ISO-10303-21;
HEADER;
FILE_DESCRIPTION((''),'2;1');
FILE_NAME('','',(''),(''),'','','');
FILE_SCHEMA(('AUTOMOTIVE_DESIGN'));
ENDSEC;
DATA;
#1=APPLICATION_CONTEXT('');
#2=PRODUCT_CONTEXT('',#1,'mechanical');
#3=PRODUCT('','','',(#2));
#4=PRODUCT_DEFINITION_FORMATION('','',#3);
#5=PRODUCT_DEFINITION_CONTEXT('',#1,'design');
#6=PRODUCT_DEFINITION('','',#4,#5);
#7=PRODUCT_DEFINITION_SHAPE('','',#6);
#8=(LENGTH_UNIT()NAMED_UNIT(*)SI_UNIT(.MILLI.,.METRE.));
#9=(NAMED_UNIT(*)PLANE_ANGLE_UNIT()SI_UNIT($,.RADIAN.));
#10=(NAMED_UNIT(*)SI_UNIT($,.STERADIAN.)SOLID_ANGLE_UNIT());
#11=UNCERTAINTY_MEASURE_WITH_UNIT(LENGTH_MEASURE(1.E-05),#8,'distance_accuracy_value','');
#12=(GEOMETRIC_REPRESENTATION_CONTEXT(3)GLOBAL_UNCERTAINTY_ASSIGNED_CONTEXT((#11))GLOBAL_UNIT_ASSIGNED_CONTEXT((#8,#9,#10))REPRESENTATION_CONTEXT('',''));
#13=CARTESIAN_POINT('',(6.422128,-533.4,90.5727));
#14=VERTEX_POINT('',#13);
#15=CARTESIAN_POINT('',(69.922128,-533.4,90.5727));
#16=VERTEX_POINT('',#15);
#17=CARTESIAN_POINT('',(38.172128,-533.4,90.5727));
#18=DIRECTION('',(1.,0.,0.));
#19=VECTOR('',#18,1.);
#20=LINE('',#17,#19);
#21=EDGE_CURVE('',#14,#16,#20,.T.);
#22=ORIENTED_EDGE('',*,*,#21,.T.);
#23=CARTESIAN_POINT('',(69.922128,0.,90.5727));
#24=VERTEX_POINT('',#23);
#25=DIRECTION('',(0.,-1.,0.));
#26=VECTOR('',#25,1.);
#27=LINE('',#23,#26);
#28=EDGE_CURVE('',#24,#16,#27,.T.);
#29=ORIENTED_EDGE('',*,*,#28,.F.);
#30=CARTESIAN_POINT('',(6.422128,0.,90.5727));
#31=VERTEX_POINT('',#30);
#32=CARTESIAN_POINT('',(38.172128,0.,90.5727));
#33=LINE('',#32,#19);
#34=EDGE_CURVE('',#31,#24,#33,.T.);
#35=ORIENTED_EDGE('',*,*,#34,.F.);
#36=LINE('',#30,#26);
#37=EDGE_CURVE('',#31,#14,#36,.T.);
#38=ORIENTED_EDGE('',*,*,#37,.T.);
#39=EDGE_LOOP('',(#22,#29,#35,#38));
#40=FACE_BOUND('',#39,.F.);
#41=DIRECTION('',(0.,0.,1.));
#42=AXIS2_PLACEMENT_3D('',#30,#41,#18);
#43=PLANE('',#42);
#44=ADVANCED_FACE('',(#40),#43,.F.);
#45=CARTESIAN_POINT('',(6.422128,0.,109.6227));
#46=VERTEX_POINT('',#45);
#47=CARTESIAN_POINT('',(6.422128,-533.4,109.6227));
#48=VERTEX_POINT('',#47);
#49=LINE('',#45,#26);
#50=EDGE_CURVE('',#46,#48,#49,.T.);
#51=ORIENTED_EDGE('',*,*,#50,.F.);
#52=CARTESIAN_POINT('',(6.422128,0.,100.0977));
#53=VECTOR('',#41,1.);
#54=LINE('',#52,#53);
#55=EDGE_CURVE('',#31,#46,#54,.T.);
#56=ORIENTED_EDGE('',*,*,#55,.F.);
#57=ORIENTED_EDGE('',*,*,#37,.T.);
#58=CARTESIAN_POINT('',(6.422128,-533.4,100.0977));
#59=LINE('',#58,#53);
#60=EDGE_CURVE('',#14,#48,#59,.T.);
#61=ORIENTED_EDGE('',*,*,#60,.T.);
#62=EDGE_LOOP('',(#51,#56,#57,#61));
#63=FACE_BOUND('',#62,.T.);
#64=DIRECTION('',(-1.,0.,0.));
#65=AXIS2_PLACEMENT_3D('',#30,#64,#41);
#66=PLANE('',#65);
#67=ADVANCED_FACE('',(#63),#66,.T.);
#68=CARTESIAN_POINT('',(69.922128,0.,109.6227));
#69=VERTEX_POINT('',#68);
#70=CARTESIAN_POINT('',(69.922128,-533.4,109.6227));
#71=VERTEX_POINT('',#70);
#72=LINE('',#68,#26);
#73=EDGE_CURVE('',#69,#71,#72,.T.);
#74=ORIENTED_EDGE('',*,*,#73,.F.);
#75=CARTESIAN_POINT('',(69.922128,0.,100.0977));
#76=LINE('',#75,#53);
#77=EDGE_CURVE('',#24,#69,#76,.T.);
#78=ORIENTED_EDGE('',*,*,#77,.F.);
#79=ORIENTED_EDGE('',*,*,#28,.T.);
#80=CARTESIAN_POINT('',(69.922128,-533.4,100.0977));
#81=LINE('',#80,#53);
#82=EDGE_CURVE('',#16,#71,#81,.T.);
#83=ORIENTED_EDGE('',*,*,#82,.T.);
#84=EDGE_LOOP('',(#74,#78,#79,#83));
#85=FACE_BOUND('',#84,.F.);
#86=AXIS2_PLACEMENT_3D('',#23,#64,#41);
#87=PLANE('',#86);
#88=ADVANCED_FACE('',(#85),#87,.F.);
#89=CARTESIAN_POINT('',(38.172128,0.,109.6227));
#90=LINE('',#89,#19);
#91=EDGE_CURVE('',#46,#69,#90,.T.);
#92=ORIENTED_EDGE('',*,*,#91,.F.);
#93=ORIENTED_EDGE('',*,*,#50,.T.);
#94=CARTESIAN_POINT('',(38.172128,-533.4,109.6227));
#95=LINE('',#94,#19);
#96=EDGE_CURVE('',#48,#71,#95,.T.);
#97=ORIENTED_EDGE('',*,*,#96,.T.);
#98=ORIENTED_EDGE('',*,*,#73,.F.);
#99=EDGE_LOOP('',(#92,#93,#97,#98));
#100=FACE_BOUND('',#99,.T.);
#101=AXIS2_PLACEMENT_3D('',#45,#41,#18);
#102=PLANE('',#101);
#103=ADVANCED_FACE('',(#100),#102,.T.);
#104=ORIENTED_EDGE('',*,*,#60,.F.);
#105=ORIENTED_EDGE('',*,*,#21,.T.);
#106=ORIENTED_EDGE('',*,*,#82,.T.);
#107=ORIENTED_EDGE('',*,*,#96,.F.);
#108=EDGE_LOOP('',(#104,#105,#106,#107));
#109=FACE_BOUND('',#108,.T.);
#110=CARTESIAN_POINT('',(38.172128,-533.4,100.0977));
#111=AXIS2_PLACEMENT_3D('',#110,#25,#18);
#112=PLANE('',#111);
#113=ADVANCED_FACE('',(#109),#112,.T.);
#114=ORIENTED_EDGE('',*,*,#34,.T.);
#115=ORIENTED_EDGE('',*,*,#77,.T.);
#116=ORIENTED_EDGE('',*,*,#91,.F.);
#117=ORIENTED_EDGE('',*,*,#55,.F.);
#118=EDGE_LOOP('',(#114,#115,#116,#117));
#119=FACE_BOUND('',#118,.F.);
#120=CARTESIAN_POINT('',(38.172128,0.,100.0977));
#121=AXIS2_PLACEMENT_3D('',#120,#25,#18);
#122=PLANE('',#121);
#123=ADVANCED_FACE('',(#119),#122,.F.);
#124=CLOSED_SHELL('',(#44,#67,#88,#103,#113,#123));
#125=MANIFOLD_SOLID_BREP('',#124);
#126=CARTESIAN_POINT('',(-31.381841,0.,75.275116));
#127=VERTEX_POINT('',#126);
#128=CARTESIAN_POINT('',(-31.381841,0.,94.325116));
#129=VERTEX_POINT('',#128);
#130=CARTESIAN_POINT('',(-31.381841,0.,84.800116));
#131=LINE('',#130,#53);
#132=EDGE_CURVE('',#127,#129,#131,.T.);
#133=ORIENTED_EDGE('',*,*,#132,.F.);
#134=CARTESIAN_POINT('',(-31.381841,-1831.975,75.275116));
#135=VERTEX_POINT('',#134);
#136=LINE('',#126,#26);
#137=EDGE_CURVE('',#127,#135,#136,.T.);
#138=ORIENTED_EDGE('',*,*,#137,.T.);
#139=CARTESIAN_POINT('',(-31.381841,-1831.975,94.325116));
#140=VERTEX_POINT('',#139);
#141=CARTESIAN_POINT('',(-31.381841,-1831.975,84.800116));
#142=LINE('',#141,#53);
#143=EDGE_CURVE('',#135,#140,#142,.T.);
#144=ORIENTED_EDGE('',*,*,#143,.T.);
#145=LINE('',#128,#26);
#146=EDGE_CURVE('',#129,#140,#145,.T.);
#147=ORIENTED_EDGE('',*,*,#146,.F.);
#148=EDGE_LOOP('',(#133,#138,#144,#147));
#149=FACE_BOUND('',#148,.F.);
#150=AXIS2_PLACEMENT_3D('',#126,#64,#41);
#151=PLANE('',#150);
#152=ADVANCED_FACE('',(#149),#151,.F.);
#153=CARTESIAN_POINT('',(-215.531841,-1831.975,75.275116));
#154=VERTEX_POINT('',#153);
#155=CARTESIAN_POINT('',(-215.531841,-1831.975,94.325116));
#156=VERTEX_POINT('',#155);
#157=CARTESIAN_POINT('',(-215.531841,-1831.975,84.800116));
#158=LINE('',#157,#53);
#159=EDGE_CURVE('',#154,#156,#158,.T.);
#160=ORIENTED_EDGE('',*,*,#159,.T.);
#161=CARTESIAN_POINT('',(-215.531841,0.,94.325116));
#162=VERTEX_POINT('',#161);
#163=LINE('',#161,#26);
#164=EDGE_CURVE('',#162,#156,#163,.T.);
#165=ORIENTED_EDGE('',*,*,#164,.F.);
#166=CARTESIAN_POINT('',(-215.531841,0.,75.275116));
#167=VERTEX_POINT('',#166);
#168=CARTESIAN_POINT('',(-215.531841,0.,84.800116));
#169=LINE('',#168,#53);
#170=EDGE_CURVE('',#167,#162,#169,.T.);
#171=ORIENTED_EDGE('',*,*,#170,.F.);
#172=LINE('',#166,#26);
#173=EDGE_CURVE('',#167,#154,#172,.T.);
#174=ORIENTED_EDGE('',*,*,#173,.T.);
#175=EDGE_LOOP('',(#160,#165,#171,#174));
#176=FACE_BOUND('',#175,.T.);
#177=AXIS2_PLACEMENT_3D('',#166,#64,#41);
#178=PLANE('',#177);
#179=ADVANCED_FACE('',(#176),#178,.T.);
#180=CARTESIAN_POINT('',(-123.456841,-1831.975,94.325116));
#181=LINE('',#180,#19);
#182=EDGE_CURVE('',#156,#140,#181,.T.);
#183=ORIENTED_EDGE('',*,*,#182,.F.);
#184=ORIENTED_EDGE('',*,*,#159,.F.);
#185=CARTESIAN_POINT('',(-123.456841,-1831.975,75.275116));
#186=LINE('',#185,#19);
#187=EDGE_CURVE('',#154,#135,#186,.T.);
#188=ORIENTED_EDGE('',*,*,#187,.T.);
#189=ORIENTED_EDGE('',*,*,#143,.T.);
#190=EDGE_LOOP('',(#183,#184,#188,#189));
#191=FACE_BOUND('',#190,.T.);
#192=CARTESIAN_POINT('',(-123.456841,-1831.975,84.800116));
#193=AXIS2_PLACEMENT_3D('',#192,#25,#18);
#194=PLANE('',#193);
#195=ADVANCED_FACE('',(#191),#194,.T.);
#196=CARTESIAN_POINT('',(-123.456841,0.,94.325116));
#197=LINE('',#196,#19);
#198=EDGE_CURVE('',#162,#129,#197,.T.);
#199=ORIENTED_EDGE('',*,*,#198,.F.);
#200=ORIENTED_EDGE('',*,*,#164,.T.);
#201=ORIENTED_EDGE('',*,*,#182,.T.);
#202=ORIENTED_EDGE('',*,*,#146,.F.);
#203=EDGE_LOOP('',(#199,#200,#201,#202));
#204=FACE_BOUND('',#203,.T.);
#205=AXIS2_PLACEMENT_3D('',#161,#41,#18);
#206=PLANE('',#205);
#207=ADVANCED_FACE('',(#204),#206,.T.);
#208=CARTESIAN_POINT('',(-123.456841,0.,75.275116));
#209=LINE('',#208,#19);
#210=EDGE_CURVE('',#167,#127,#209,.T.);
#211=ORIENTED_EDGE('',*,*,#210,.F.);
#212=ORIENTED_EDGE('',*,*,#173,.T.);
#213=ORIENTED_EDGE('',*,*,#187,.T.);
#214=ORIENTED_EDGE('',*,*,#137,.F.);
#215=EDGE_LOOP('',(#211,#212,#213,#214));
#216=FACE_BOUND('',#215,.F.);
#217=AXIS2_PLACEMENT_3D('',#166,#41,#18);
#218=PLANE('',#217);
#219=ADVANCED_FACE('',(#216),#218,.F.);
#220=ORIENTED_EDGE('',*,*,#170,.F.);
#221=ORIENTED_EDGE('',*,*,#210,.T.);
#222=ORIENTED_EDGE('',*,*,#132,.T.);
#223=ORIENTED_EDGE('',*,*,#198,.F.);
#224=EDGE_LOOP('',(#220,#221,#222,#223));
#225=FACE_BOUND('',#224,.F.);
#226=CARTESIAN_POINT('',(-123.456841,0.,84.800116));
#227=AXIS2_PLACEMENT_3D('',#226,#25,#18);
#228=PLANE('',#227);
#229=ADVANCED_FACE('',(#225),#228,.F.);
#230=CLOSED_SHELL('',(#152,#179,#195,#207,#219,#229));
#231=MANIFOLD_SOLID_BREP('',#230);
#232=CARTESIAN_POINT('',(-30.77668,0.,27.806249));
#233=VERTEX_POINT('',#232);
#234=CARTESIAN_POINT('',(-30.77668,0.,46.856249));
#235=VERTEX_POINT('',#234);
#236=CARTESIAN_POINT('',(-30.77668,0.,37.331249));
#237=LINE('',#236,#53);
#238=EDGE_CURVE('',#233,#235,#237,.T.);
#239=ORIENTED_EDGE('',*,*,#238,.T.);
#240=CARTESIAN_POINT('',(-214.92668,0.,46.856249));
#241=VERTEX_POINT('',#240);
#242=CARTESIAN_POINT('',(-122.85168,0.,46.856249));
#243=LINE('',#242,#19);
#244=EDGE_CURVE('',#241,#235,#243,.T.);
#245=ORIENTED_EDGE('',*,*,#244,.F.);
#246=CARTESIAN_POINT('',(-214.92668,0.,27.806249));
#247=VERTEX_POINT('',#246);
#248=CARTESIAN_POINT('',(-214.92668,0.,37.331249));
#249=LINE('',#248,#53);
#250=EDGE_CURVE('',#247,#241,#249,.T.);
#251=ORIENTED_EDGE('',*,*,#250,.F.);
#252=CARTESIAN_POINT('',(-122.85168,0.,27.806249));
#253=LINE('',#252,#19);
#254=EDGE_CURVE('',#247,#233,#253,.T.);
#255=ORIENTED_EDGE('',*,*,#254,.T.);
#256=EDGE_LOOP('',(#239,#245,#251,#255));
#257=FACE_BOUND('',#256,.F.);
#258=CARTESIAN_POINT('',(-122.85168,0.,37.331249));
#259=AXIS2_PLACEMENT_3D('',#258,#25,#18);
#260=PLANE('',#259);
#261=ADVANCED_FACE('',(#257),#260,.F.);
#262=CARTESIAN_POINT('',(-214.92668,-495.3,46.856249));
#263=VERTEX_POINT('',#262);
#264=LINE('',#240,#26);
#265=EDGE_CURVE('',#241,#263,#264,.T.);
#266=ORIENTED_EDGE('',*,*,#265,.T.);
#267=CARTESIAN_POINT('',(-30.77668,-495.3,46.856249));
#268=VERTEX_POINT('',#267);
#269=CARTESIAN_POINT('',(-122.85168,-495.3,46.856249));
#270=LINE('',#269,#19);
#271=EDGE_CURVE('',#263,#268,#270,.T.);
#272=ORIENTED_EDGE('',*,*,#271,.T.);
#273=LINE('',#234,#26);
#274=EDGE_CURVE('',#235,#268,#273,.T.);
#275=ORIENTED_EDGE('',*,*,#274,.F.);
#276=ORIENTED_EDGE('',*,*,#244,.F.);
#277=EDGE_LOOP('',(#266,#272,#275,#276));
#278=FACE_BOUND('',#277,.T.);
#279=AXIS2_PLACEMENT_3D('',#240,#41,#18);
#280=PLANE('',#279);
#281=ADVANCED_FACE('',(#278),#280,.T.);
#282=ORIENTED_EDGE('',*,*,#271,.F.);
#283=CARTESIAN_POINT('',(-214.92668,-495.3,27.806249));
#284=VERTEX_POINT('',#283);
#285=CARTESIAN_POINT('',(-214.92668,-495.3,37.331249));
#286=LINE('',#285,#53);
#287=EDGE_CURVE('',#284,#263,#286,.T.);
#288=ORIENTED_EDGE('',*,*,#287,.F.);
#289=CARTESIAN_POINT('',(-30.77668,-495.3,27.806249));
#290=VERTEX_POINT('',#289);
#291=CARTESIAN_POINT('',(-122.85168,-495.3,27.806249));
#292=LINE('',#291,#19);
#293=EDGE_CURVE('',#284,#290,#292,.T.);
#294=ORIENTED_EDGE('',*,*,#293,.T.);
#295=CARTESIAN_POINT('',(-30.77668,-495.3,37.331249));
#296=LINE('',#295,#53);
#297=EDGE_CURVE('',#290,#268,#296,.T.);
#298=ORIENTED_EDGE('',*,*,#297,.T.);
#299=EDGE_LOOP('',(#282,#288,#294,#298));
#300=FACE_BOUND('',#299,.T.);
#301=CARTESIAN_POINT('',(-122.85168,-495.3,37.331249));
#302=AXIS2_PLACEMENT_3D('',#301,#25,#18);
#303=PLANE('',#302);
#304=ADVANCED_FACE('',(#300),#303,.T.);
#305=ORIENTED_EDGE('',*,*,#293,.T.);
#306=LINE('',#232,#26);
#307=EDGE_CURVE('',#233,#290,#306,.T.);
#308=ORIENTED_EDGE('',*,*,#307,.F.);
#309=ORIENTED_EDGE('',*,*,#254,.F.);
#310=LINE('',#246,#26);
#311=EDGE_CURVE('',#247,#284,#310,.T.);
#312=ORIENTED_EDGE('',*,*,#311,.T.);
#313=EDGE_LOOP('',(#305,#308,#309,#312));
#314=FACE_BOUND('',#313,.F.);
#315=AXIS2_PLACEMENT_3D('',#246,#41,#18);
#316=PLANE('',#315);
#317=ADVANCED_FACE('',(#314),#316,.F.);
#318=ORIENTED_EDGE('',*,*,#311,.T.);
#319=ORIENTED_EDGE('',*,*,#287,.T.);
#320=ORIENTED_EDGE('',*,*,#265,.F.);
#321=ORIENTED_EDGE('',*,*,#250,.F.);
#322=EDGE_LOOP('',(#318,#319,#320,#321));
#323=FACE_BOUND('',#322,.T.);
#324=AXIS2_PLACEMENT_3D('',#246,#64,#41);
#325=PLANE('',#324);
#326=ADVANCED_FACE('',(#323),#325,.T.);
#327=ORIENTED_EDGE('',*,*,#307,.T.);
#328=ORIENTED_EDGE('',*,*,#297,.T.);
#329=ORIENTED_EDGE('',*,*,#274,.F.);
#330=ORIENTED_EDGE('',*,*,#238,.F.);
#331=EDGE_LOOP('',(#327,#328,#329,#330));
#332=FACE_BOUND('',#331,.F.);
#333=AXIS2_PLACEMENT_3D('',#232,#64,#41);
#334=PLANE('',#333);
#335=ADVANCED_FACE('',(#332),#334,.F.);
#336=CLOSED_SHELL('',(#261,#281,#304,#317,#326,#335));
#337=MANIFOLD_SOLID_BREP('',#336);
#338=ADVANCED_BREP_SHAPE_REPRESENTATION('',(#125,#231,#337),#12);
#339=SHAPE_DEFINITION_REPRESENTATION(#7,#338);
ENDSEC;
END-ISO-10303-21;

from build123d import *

# Parameters (mm, degrees)
F0_W     = 184.15
F0_H     = 19.05
F1_DEPTH = 1831.975
F0_W_2   = 63.5
F2_DEPTH = 533.4
F3_DEPTH = 495.3


with BuildPart() as f1:
    # F0 (on Front) → F1 (new body)
    with BuildSketch(Plane.XZ):
        with Locations((-123.456841, 84.800116)):
            Rectangle(F0_W, F0_H)
    extrude(amount=F1_DEPTH)


with BuildPart() as f2:
    # F0 (on Front) → F2 (new body)
    with BuildSketch(Plane.XZ):
        with Locations((38.172128, 100.0977)):
            Rectangle(F0_W_2, F0_H)
    extrude(amount=F2_DEPTH)


with BuildPart() as f3:
    # F0 (on Front) → F3 (new body)
    with BuildSketch(Plane.XZ):
        with Locations((-122.85168, 37.331249)):
            Rectangle(F0_W, F0_H)
    extrude(amount=F3_DEPTH)


solid = Compound([f1.part, f2.part, f3.part])
